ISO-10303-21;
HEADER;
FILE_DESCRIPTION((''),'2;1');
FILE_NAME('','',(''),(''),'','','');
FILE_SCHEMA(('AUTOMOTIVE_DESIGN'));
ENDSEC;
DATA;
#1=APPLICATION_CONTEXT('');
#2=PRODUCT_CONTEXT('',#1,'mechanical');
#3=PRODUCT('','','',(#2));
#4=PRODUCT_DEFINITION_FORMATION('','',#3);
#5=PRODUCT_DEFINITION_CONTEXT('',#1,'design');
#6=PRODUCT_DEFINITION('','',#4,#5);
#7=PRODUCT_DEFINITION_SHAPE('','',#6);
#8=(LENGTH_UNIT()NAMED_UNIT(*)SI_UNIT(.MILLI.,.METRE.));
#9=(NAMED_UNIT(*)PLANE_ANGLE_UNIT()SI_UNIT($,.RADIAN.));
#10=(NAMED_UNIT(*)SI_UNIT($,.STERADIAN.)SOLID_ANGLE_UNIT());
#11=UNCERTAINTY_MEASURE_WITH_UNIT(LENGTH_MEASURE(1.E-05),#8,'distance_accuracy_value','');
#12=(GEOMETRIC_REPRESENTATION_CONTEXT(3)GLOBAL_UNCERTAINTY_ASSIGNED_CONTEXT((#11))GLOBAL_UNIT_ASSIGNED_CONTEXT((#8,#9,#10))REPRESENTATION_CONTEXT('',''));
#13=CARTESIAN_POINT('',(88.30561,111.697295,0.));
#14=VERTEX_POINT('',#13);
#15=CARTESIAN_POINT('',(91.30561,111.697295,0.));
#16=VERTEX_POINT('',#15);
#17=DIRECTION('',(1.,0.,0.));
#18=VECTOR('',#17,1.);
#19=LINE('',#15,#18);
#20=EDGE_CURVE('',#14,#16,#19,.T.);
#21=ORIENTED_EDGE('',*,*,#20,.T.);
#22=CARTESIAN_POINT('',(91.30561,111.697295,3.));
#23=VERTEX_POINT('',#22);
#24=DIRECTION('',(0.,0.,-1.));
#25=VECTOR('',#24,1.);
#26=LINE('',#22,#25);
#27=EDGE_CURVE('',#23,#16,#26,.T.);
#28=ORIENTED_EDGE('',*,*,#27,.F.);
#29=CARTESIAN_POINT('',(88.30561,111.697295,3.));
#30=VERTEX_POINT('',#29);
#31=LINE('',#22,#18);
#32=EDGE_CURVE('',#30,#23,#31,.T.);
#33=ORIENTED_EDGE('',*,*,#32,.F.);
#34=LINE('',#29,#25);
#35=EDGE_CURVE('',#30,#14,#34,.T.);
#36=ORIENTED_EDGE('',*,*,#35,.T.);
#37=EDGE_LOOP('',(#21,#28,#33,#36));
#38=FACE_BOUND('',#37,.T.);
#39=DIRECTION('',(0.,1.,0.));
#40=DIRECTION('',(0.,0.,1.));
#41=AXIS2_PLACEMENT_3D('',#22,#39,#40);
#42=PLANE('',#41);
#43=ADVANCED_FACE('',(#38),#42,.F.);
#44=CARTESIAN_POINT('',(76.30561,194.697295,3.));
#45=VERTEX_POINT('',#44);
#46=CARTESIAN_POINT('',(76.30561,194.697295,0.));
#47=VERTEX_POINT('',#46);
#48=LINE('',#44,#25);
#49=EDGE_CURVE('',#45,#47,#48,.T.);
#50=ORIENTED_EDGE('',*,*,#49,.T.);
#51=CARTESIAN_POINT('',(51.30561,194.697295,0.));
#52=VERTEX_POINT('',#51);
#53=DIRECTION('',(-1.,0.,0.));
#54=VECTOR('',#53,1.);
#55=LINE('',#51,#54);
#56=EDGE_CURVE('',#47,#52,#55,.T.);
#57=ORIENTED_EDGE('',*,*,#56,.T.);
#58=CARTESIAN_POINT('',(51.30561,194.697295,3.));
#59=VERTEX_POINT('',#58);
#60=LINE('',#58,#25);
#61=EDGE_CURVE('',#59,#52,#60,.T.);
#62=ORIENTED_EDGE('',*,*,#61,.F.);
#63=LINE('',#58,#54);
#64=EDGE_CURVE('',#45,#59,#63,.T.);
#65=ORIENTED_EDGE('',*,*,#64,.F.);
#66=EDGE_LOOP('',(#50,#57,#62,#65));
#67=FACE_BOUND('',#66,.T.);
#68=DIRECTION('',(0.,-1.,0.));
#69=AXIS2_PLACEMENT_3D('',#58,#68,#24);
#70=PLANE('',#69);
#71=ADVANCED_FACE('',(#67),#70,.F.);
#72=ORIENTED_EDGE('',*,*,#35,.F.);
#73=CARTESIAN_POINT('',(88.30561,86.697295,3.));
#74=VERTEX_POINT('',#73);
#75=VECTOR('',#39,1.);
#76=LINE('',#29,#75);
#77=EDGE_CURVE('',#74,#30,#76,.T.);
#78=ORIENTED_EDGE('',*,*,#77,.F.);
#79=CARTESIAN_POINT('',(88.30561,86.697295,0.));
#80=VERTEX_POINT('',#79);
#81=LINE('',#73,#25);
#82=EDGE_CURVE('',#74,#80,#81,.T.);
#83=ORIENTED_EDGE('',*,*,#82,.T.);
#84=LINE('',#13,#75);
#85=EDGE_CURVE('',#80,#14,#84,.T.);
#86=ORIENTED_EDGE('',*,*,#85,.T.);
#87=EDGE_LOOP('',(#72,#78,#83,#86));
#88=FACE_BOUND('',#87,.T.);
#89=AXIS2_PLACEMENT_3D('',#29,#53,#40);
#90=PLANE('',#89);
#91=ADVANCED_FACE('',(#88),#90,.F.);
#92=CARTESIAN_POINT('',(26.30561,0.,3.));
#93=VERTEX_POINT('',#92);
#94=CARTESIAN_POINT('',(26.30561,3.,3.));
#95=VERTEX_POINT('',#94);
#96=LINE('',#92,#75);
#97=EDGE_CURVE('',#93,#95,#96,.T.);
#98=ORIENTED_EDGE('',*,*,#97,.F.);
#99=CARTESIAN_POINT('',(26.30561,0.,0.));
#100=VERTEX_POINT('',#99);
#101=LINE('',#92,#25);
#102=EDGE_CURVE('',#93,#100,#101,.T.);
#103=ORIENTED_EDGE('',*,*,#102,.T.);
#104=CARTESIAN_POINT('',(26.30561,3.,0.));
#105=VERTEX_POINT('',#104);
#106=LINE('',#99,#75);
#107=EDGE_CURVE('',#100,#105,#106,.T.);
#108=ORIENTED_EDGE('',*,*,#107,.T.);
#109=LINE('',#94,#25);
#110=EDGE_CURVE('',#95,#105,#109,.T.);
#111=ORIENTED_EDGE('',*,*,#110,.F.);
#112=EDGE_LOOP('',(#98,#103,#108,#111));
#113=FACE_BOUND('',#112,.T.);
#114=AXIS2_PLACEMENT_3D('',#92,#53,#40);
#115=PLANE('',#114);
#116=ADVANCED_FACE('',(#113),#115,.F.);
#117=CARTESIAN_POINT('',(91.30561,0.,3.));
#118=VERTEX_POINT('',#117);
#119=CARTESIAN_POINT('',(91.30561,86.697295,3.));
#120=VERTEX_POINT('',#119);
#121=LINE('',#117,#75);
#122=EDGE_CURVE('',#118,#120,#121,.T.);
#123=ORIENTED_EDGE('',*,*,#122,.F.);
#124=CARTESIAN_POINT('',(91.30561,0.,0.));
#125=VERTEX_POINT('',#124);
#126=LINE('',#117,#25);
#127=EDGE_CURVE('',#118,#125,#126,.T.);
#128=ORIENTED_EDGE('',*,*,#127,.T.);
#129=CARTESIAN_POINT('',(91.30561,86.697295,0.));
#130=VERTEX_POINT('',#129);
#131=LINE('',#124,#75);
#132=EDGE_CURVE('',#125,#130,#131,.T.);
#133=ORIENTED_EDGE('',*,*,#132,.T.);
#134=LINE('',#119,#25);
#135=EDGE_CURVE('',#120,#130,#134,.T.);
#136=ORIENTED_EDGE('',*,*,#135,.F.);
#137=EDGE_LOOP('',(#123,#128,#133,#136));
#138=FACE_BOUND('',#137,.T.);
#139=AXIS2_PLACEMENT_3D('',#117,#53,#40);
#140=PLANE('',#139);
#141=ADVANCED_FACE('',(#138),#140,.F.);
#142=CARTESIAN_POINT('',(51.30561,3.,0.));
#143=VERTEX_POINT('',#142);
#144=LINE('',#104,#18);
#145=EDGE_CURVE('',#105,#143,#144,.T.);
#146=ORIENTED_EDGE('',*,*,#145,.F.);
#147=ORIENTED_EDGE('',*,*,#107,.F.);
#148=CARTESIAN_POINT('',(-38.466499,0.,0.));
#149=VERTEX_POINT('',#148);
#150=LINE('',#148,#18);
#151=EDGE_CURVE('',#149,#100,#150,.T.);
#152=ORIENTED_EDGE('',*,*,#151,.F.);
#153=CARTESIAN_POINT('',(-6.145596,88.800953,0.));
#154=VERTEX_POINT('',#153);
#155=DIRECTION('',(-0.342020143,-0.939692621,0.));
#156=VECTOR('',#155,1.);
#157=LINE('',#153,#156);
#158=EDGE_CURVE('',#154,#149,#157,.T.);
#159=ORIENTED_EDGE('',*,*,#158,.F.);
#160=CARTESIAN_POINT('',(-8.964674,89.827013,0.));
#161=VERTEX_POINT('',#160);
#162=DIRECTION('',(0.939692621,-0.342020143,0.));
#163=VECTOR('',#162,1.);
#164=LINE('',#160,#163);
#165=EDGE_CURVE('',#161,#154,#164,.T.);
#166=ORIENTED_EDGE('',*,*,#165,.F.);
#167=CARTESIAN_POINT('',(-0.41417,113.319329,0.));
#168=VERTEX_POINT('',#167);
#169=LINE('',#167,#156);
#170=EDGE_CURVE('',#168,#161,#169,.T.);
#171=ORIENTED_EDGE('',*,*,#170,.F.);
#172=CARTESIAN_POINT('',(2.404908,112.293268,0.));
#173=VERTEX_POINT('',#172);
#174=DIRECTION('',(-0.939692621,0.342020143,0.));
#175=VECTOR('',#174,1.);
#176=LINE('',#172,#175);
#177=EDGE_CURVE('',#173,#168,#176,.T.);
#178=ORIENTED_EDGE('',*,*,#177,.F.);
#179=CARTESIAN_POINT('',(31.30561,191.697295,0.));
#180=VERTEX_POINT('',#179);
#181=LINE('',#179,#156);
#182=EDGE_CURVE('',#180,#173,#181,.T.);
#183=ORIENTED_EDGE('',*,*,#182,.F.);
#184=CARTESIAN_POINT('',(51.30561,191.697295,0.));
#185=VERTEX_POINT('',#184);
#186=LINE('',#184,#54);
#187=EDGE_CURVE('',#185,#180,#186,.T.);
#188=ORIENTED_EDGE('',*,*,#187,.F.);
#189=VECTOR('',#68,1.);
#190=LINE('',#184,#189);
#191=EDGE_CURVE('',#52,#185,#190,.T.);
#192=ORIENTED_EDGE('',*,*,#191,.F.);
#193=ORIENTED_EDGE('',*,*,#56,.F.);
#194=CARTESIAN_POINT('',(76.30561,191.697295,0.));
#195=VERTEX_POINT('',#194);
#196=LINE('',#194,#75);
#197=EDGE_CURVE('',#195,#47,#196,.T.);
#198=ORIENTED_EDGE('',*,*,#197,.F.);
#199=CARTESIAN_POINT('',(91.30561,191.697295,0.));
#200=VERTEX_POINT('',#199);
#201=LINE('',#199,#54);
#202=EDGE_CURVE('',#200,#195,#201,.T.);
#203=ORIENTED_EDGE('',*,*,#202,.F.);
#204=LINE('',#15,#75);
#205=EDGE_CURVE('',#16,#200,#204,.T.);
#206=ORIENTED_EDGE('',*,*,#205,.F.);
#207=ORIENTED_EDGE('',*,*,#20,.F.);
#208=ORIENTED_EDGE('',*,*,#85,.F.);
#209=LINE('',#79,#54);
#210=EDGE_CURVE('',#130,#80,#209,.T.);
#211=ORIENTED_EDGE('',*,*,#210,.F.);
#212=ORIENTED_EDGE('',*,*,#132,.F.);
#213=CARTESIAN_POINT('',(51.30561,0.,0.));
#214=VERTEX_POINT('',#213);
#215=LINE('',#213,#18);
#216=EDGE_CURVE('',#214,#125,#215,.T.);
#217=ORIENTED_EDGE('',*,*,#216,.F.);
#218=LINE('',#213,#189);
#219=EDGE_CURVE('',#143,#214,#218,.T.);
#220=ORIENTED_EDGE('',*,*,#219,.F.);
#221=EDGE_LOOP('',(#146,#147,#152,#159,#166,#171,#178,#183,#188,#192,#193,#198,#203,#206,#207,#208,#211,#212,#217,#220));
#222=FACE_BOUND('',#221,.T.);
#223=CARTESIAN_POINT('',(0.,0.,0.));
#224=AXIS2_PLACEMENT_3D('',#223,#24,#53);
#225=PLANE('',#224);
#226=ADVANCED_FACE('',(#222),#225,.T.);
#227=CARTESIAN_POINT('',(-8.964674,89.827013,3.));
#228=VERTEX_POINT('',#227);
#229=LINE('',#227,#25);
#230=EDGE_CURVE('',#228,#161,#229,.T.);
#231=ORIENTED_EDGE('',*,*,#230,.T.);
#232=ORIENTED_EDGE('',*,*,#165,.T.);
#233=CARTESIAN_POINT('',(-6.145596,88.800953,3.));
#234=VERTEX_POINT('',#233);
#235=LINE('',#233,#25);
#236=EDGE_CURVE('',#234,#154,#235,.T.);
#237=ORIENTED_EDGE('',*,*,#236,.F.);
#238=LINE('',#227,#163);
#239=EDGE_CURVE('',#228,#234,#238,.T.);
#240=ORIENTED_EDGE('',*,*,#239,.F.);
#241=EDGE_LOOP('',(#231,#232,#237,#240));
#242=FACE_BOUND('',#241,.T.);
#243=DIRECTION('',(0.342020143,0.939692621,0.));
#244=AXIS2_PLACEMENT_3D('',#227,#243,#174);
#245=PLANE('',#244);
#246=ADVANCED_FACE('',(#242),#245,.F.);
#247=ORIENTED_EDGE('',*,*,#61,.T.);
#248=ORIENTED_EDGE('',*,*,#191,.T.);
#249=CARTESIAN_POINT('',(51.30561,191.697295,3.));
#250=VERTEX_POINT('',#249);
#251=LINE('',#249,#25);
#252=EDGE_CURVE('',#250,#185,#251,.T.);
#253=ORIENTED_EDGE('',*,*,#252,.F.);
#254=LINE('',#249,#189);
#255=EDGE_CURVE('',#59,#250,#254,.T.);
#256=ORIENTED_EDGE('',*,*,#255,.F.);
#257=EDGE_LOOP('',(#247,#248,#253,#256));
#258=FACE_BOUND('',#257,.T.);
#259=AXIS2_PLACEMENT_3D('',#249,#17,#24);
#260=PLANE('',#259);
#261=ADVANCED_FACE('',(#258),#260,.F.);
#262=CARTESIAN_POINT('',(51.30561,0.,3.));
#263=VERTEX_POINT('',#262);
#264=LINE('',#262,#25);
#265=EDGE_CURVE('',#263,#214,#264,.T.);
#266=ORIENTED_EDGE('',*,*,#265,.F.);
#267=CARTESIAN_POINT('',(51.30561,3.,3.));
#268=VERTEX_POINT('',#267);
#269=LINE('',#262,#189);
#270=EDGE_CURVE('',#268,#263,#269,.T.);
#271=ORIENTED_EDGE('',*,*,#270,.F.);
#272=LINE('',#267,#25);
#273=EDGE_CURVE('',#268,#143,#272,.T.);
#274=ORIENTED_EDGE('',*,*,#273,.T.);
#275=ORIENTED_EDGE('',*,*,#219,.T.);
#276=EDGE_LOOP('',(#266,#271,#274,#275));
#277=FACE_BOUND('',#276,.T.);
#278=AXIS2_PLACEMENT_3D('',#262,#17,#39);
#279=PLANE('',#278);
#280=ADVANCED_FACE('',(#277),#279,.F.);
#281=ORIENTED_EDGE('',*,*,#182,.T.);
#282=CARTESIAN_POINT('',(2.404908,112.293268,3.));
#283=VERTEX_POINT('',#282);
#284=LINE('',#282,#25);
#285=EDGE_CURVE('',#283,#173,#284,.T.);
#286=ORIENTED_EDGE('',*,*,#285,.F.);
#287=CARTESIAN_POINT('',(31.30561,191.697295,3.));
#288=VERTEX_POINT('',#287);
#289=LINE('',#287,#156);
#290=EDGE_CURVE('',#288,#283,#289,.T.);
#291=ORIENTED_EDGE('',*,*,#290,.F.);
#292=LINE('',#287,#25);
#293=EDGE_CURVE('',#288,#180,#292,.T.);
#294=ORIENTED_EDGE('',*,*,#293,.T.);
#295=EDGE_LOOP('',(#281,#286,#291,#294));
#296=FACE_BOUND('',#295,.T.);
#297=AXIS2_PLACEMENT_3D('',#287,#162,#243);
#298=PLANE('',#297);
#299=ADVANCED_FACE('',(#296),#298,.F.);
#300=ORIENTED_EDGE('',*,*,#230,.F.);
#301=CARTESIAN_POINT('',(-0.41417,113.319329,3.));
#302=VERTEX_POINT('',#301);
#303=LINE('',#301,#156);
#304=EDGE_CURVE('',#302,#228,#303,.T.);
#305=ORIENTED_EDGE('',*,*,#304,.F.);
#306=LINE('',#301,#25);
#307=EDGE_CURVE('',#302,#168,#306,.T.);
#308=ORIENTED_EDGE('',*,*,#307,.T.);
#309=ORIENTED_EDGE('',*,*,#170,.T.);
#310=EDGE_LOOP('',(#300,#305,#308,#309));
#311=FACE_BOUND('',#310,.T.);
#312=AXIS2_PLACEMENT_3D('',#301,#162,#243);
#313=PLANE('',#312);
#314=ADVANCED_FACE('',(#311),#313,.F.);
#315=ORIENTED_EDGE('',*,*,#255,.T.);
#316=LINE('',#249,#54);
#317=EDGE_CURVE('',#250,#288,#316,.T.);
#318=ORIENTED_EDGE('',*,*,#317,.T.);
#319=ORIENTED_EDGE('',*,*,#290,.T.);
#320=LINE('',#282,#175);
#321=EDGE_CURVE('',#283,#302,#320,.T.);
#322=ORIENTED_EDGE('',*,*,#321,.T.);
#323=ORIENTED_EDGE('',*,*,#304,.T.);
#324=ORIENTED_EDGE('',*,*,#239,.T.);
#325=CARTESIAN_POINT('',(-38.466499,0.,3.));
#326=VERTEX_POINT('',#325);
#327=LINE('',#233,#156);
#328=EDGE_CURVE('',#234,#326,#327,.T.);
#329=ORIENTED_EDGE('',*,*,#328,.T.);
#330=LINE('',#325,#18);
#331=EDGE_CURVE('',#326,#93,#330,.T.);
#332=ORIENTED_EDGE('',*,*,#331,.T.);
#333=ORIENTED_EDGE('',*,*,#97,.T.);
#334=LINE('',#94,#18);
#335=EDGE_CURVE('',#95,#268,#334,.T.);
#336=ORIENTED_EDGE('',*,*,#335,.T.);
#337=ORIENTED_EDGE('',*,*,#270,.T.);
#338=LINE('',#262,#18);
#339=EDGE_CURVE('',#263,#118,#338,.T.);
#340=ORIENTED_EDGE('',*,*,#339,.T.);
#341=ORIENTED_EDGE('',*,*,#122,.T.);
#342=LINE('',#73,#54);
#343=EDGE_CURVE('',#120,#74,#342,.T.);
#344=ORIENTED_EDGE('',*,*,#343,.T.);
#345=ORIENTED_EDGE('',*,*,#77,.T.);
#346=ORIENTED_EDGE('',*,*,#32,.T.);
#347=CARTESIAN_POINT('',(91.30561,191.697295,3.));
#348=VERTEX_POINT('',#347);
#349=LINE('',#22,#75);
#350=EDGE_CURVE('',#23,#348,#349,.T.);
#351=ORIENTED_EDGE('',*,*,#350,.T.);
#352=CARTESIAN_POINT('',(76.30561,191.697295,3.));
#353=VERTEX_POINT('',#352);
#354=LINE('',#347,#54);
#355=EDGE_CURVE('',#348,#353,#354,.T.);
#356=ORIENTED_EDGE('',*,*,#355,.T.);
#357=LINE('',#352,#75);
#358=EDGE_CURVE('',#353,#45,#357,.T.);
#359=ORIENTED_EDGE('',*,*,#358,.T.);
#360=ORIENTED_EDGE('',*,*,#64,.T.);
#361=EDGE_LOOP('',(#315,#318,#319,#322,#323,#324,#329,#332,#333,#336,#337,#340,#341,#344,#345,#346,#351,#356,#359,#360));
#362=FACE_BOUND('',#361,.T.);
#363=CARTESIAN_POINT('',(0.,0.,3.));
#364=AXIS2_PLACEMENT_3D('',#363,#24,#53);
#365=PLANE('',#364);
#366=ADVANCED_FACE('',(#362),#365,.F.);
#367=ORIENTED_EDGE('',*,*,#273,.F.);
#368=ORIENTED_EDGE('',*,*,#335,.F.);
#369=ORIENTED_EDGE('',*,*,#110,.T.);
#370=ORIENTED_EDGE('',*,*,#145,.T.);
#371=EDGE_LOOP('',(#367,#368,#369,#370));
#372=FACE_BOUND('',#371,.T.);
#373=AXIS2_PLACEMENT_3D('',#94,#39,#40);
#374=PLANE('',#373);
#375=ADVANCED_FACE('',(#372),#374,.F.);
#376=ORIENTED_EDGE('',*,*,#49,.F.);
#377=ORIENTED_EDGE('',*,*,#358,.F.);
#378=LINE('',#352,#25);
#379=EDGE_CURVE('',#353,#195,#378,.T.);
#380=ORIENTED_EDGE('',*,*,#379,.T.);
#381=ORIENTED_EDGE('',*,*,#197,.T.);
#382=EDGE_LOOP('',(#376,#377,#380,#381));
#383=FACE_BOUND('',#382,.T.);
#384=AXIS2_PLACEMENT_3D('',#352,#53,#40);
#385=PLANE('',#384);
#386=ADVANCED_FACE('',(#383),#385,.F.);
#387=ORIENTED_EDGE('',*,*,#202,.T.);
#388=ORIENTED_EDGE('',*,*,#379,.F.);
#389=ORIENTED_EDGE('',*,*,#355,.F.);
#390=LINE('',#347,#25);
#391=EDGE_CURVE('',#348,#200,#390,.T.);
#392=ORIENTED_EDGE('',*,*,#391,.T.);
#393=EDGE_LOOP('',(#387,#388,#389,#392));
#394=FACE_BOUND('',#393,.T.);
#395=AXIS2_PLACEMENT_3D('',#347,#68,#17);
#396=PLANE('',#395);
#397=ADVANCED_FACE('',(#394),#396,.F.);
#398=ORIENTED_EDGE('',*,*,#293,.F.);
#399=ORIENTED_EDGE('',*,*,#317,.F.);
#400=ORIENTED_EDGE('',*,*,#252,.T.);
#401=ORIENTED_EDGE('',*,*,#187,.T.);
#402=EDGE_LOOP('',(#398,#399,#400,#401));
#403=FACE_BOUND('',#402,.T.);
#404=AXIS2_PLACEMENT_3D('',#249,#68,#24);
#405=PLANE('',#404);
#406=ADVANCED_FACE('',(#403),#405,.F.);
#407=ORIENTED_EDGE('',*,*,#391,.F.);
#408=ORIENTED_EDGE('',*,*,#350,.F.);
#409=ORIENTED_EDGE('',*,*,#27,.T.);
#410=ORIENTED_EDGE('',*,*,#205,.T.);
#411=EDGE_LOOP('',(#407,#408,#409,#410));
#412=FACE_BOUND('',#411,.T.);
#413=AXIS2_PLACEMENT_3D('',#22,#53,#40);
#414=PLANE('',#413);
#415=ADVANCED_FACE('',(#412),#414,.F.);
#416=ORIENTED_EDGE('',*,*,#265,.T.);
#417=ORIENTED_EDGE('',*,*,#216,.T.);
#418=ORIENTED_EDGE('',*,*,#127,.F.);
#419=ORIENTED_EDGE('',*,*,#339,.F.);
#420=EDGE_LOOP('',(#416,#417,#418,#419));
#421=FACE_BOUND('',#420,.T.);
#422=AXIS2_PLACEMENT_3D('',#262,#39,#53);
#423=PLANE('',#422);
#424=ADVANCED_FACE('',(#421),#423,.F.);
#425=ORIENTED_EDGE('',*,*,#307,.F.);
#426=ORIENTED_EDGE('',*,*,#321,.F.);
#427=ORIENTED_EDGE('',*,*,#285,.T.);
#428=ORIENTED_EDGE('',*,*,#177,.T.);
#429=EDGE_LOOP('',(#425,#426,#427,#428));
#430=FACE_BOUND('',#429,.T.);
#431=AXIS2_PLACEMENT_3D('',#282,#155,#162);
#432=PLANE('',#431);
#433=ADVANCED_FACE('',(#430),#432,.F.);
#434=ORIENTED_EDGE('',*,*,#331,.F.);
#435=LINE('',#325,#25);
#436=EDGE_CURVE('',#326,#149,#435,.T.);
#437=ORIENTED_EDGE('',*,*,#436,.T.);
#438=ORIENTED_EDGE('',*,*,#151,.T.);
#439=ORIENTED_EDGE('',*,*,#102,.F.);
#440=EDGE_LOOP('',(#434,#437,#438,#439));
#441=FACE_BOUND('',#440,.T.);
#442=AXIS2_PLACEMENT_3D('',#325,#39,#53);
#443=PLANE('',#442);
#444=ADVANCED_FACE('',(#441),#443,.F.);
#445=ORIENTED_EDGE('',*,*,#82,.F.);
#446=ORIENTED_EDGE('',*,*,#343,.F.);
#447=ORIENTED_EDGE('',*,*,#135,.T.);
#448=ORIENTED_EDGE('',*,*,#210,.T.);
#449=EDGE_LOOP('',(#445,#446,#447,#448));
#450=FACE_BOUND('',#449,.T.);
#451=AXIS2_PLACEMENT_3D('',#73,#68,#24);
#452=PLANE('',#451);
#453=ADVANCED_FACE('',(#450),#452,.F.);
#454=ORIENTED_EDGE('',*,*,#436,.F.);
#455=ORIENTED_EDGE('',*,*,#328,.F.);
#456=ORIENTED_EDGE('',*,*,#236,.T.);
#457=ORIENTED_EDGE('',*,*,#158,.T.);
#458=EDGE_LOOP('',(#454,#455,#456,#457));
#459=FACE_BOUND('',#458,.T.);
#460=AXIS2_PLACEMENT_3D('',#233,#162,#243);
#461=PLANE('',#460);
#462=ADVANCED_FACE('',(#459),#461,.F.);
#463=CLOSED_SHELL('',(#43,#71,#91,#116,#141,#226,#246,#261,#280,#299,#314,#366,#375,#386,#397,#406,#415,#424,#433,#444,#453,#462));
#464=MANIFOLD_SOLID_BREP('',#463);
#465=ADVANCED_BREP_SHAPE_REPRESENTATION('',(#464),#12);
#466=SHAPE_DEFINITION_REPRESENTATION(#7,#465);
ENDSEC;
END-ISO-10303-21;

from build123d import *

# Parameters (mm, degrees)
EXTRUDE_1_DEPTH = 3


with BuildPart() as part:
    # Эскиз1 → Бобышка-Вытянуть1 (new body)
    with BuildSketch(Plane.XY):
        Polygon((-38.466499373, 0), (26.305609866, 0), (26.305609866, 3), (51.305609866, 3), (51.305609866, 0), (91.305609866, 0), (91.305609866, 86.69729464), (88.305609866, 86.69729464), (88.305609866, 111.69729464), (91.305609866, 111.69729464), (91.305609866, 191.69729464), (76.305609866, 191.69729464), (76.305609866, 194.69729464), (51.305609866, 194.69729464), (51.305609866, 191.69729464), (31.305609866, 191.69729464), (2.404907755, 112.293268184), (-0.414170108, 113.319328614), (-8.964673691, 89.827013094), (-6.145595828, 88.800952664), align=None)
    extrude(amount=EXTRUDE_1_DEPTH)


solid = part.part
